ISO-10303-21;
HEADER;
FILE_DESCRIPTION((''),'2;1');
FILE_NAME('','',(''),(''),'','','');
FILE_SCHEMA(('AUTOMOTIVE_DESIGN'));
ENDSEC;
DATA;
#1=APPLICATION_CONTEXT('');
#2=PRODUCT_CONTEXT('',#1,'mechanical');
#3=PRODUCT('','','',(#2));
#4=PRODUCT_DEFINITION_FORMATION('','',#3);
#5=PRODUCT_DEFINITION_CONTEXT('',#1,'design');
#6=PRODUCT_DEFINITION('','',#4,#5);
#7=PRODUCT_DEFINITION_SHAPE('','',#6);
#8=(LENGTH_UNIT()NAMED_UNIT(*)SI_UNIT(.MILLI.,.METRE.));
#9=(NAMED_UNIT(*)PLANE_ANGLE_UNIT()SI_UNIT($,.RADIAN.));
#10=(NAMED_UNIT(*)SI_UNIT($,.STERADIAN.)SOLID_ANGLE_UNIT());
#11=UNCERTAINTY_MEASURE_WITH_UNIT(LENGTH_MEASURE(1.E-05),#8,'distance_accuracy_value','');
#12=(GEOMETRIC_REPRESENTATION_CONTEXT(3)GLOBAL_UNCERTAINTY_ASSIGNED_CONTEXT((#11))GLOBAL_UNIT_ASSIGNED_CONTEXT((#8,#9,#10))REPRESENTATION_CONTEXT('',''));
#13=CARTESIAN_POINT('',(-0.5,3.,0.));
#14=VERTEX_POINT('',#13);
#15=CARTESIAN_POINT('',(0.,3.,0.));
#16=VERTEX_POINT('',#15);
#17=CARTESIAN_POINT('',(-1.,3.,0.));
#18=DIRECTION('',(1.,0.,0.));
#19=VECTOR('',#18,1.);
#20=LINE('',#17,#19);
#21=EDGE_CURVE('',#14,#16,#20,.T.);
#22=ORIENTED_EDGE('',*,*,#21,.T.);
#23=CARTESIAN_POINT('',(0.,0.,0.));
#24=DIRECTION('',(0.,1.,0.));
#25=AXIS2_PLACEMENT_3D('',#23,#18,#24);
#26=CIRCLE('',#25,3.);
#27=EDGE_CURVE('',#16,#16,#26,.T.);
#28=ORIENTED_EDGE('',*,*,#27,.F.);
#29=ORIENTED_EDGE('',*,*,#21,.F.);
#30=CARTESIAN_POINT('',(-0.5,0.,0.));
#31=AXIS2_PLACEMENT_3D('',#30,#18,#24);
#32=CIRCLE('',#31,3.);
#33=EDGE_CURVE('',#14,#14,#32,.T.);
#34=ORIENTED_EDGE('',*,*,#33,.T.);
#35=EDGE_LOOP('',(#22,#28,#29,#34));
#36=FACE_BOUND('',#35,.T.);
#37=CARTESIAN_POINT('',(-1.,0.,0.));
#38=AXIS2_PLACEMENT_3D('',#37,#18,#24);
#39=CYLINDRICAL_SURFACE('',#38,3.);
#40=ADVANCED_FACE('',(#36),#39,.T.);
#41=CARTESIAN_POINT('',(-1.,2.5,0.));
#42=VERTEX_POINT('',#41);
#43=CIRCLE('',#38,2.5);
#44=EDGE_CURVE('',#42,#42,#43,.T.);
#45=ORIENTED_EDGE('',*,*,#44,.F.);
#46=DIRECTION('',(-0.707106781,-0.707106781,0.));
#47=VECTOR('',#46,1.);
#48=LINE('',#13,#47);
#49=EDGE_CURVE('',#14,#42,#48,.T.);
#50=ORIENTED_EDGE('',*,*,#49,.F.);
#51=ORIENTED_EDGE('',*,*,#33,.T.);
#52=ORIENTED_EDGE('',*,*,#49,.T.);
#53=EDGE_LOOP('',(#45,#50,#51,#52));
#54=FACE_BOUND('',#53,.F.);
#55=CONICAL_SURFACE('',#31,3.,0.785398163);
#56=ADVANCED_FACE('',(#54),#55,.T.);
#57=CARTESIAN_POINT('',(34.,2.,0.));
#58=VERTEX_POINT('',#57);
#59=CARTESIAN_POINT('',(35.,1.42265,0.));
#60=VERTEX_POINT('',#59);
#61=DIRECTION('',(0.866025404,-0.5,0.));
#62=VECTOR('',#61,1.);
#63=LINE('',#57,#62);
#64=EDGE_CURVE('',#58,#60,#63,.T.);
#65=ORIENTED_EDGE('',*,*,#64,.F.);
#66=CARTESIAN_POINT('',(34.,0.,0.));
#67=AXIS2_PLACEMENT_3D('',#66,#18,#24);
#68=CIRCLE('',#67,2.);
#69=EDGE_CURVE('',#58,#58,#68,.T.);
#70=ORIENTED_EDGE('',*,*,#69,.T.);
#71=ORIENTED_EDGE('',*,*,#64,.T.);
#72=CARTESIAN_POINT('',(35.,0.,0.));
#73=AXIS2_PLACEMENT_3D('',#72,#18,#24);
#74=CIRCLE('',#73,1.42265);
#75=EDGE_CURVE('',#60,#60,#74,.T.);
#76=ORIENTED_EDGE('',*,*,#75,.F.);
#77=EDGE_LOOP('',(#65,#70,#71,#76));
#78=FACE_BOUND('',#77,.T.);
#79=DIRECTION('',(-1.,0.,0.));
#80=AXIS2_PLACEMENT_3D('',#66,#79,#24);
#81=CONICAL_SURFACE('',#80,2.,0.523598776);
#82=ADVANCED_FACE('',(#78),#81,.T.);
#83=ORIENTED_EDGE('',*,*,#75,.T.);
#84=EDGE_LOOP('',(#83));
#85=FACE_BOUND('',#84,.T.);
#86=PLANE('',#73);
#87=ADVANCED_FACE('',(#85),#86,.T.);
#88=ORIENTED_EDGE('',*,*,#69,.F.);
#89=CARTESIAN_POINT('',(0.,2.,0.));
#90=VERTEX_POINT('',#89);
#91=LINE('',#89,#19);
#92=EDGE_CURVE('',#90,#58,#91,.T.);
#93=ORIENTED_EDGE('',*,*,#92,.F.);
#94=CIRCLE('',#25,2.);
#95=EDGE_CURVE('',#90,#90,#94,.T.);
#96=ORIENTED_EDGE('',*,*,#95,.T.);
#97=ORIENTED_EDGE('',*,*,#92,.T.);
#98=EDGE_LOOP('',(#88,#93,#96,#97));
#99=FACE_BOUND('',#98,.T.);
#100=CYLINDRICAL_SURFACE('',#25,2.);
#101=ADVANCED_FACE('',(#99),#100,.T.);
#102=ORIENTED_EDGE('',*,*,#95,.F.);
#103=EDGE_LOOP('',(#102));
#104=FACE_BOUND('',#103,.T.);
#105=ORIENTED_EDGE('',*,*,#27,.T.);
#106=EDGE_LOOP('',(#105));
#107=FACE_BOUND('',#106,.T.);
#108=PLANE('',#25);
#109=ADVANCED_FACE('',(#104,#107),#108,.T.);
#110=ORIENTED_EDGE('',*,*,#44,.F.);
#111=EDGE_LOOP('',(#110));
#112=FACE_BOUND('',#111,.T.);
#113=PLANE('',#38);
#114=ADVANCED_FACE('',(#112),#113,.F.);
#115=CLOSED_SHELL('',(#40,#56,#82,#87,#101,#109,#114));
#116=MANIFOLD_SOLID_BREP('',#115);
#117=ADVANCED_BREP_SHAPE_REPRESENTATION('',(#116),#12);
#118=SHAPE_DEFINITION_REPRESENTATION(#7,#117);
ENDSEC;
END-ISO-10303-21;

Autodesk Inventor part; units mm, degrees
ref_plane "YZ Plane" through (0, 0, 0) normal (1, 0, 0) x (0, 1, 0)
ref_plane "XZ Plane" through (0, 0, 0) normal (0, 1, 0) x (-1, 0, 0)
ref_plane "XY Plane" through (0, 0, 0) normal (0, 0, 1) x (1, 0, 0)
sketch "Szkic1" plane through (0, 0, 0) normal (0, 0, 1) x (1, 0, 0)
  line L0 (-1, 0) -> (-1, 3)
  line L1 (-1, 3) -> (0, 3)
  line L2 (0, 3) -> (0, 2)
  line L3 (0, 2) -> (35, 2)
  line L4 (35, 2) -> (35, 0)
  line L5 (-1, 0) -> (35, 0)
  line L6 (-4, 0) -> (17, 0) projected
  line L7 (0, -0.5) -> (0, 3) projected
  dimension "d0" = 1
  dimension "d1" = 35
  dimension "d2" = 4
  dimension "d3" = 6
revolve "Bryła" add sketch "Szkic1" angle 360 about axis through (-1, 0, 0) along (1, 0, 0)
chamfer "Faza1" distance 1 angle 30 1 edges at (35, -2, 0) measured on face at (11.6667, 1.9935, -0.1609)
chamfer "Faza2" distance 0.5 angle 45 1 edges at (-1, -3, 0) measured on face at (-0.6667, 2.9612, -0.4812)
equation "\"d7\" = PHH1"
equation "\"d8\" = FAWI1"
equation "\"d12\" = PHH1"
equation "\"d4\" = PHH2"
equation "\"d6\" = FAWI2"
equation "\"d13\" = PHH2"
equation "\"d0\" = KOH"
equation "\"d1\" = NLG"
equation "\"d2\" = NND"
equation "\"d3\" = KOD"
equation "\"NLG\" = 35"
equation "\"KOH\" = 1"
equation "\"KOD\" = 6"
equation "\"NND\" = 4"
equation "\"FAWI1\" = 30deg"
equation "\"FAWI2\" = 45deg"
equation "\"PHH2\" = 0.5"
equation "\"PHH1\" = 1"
properties part number "ISO 2341 - A - 4 x 35" material "Stal"
